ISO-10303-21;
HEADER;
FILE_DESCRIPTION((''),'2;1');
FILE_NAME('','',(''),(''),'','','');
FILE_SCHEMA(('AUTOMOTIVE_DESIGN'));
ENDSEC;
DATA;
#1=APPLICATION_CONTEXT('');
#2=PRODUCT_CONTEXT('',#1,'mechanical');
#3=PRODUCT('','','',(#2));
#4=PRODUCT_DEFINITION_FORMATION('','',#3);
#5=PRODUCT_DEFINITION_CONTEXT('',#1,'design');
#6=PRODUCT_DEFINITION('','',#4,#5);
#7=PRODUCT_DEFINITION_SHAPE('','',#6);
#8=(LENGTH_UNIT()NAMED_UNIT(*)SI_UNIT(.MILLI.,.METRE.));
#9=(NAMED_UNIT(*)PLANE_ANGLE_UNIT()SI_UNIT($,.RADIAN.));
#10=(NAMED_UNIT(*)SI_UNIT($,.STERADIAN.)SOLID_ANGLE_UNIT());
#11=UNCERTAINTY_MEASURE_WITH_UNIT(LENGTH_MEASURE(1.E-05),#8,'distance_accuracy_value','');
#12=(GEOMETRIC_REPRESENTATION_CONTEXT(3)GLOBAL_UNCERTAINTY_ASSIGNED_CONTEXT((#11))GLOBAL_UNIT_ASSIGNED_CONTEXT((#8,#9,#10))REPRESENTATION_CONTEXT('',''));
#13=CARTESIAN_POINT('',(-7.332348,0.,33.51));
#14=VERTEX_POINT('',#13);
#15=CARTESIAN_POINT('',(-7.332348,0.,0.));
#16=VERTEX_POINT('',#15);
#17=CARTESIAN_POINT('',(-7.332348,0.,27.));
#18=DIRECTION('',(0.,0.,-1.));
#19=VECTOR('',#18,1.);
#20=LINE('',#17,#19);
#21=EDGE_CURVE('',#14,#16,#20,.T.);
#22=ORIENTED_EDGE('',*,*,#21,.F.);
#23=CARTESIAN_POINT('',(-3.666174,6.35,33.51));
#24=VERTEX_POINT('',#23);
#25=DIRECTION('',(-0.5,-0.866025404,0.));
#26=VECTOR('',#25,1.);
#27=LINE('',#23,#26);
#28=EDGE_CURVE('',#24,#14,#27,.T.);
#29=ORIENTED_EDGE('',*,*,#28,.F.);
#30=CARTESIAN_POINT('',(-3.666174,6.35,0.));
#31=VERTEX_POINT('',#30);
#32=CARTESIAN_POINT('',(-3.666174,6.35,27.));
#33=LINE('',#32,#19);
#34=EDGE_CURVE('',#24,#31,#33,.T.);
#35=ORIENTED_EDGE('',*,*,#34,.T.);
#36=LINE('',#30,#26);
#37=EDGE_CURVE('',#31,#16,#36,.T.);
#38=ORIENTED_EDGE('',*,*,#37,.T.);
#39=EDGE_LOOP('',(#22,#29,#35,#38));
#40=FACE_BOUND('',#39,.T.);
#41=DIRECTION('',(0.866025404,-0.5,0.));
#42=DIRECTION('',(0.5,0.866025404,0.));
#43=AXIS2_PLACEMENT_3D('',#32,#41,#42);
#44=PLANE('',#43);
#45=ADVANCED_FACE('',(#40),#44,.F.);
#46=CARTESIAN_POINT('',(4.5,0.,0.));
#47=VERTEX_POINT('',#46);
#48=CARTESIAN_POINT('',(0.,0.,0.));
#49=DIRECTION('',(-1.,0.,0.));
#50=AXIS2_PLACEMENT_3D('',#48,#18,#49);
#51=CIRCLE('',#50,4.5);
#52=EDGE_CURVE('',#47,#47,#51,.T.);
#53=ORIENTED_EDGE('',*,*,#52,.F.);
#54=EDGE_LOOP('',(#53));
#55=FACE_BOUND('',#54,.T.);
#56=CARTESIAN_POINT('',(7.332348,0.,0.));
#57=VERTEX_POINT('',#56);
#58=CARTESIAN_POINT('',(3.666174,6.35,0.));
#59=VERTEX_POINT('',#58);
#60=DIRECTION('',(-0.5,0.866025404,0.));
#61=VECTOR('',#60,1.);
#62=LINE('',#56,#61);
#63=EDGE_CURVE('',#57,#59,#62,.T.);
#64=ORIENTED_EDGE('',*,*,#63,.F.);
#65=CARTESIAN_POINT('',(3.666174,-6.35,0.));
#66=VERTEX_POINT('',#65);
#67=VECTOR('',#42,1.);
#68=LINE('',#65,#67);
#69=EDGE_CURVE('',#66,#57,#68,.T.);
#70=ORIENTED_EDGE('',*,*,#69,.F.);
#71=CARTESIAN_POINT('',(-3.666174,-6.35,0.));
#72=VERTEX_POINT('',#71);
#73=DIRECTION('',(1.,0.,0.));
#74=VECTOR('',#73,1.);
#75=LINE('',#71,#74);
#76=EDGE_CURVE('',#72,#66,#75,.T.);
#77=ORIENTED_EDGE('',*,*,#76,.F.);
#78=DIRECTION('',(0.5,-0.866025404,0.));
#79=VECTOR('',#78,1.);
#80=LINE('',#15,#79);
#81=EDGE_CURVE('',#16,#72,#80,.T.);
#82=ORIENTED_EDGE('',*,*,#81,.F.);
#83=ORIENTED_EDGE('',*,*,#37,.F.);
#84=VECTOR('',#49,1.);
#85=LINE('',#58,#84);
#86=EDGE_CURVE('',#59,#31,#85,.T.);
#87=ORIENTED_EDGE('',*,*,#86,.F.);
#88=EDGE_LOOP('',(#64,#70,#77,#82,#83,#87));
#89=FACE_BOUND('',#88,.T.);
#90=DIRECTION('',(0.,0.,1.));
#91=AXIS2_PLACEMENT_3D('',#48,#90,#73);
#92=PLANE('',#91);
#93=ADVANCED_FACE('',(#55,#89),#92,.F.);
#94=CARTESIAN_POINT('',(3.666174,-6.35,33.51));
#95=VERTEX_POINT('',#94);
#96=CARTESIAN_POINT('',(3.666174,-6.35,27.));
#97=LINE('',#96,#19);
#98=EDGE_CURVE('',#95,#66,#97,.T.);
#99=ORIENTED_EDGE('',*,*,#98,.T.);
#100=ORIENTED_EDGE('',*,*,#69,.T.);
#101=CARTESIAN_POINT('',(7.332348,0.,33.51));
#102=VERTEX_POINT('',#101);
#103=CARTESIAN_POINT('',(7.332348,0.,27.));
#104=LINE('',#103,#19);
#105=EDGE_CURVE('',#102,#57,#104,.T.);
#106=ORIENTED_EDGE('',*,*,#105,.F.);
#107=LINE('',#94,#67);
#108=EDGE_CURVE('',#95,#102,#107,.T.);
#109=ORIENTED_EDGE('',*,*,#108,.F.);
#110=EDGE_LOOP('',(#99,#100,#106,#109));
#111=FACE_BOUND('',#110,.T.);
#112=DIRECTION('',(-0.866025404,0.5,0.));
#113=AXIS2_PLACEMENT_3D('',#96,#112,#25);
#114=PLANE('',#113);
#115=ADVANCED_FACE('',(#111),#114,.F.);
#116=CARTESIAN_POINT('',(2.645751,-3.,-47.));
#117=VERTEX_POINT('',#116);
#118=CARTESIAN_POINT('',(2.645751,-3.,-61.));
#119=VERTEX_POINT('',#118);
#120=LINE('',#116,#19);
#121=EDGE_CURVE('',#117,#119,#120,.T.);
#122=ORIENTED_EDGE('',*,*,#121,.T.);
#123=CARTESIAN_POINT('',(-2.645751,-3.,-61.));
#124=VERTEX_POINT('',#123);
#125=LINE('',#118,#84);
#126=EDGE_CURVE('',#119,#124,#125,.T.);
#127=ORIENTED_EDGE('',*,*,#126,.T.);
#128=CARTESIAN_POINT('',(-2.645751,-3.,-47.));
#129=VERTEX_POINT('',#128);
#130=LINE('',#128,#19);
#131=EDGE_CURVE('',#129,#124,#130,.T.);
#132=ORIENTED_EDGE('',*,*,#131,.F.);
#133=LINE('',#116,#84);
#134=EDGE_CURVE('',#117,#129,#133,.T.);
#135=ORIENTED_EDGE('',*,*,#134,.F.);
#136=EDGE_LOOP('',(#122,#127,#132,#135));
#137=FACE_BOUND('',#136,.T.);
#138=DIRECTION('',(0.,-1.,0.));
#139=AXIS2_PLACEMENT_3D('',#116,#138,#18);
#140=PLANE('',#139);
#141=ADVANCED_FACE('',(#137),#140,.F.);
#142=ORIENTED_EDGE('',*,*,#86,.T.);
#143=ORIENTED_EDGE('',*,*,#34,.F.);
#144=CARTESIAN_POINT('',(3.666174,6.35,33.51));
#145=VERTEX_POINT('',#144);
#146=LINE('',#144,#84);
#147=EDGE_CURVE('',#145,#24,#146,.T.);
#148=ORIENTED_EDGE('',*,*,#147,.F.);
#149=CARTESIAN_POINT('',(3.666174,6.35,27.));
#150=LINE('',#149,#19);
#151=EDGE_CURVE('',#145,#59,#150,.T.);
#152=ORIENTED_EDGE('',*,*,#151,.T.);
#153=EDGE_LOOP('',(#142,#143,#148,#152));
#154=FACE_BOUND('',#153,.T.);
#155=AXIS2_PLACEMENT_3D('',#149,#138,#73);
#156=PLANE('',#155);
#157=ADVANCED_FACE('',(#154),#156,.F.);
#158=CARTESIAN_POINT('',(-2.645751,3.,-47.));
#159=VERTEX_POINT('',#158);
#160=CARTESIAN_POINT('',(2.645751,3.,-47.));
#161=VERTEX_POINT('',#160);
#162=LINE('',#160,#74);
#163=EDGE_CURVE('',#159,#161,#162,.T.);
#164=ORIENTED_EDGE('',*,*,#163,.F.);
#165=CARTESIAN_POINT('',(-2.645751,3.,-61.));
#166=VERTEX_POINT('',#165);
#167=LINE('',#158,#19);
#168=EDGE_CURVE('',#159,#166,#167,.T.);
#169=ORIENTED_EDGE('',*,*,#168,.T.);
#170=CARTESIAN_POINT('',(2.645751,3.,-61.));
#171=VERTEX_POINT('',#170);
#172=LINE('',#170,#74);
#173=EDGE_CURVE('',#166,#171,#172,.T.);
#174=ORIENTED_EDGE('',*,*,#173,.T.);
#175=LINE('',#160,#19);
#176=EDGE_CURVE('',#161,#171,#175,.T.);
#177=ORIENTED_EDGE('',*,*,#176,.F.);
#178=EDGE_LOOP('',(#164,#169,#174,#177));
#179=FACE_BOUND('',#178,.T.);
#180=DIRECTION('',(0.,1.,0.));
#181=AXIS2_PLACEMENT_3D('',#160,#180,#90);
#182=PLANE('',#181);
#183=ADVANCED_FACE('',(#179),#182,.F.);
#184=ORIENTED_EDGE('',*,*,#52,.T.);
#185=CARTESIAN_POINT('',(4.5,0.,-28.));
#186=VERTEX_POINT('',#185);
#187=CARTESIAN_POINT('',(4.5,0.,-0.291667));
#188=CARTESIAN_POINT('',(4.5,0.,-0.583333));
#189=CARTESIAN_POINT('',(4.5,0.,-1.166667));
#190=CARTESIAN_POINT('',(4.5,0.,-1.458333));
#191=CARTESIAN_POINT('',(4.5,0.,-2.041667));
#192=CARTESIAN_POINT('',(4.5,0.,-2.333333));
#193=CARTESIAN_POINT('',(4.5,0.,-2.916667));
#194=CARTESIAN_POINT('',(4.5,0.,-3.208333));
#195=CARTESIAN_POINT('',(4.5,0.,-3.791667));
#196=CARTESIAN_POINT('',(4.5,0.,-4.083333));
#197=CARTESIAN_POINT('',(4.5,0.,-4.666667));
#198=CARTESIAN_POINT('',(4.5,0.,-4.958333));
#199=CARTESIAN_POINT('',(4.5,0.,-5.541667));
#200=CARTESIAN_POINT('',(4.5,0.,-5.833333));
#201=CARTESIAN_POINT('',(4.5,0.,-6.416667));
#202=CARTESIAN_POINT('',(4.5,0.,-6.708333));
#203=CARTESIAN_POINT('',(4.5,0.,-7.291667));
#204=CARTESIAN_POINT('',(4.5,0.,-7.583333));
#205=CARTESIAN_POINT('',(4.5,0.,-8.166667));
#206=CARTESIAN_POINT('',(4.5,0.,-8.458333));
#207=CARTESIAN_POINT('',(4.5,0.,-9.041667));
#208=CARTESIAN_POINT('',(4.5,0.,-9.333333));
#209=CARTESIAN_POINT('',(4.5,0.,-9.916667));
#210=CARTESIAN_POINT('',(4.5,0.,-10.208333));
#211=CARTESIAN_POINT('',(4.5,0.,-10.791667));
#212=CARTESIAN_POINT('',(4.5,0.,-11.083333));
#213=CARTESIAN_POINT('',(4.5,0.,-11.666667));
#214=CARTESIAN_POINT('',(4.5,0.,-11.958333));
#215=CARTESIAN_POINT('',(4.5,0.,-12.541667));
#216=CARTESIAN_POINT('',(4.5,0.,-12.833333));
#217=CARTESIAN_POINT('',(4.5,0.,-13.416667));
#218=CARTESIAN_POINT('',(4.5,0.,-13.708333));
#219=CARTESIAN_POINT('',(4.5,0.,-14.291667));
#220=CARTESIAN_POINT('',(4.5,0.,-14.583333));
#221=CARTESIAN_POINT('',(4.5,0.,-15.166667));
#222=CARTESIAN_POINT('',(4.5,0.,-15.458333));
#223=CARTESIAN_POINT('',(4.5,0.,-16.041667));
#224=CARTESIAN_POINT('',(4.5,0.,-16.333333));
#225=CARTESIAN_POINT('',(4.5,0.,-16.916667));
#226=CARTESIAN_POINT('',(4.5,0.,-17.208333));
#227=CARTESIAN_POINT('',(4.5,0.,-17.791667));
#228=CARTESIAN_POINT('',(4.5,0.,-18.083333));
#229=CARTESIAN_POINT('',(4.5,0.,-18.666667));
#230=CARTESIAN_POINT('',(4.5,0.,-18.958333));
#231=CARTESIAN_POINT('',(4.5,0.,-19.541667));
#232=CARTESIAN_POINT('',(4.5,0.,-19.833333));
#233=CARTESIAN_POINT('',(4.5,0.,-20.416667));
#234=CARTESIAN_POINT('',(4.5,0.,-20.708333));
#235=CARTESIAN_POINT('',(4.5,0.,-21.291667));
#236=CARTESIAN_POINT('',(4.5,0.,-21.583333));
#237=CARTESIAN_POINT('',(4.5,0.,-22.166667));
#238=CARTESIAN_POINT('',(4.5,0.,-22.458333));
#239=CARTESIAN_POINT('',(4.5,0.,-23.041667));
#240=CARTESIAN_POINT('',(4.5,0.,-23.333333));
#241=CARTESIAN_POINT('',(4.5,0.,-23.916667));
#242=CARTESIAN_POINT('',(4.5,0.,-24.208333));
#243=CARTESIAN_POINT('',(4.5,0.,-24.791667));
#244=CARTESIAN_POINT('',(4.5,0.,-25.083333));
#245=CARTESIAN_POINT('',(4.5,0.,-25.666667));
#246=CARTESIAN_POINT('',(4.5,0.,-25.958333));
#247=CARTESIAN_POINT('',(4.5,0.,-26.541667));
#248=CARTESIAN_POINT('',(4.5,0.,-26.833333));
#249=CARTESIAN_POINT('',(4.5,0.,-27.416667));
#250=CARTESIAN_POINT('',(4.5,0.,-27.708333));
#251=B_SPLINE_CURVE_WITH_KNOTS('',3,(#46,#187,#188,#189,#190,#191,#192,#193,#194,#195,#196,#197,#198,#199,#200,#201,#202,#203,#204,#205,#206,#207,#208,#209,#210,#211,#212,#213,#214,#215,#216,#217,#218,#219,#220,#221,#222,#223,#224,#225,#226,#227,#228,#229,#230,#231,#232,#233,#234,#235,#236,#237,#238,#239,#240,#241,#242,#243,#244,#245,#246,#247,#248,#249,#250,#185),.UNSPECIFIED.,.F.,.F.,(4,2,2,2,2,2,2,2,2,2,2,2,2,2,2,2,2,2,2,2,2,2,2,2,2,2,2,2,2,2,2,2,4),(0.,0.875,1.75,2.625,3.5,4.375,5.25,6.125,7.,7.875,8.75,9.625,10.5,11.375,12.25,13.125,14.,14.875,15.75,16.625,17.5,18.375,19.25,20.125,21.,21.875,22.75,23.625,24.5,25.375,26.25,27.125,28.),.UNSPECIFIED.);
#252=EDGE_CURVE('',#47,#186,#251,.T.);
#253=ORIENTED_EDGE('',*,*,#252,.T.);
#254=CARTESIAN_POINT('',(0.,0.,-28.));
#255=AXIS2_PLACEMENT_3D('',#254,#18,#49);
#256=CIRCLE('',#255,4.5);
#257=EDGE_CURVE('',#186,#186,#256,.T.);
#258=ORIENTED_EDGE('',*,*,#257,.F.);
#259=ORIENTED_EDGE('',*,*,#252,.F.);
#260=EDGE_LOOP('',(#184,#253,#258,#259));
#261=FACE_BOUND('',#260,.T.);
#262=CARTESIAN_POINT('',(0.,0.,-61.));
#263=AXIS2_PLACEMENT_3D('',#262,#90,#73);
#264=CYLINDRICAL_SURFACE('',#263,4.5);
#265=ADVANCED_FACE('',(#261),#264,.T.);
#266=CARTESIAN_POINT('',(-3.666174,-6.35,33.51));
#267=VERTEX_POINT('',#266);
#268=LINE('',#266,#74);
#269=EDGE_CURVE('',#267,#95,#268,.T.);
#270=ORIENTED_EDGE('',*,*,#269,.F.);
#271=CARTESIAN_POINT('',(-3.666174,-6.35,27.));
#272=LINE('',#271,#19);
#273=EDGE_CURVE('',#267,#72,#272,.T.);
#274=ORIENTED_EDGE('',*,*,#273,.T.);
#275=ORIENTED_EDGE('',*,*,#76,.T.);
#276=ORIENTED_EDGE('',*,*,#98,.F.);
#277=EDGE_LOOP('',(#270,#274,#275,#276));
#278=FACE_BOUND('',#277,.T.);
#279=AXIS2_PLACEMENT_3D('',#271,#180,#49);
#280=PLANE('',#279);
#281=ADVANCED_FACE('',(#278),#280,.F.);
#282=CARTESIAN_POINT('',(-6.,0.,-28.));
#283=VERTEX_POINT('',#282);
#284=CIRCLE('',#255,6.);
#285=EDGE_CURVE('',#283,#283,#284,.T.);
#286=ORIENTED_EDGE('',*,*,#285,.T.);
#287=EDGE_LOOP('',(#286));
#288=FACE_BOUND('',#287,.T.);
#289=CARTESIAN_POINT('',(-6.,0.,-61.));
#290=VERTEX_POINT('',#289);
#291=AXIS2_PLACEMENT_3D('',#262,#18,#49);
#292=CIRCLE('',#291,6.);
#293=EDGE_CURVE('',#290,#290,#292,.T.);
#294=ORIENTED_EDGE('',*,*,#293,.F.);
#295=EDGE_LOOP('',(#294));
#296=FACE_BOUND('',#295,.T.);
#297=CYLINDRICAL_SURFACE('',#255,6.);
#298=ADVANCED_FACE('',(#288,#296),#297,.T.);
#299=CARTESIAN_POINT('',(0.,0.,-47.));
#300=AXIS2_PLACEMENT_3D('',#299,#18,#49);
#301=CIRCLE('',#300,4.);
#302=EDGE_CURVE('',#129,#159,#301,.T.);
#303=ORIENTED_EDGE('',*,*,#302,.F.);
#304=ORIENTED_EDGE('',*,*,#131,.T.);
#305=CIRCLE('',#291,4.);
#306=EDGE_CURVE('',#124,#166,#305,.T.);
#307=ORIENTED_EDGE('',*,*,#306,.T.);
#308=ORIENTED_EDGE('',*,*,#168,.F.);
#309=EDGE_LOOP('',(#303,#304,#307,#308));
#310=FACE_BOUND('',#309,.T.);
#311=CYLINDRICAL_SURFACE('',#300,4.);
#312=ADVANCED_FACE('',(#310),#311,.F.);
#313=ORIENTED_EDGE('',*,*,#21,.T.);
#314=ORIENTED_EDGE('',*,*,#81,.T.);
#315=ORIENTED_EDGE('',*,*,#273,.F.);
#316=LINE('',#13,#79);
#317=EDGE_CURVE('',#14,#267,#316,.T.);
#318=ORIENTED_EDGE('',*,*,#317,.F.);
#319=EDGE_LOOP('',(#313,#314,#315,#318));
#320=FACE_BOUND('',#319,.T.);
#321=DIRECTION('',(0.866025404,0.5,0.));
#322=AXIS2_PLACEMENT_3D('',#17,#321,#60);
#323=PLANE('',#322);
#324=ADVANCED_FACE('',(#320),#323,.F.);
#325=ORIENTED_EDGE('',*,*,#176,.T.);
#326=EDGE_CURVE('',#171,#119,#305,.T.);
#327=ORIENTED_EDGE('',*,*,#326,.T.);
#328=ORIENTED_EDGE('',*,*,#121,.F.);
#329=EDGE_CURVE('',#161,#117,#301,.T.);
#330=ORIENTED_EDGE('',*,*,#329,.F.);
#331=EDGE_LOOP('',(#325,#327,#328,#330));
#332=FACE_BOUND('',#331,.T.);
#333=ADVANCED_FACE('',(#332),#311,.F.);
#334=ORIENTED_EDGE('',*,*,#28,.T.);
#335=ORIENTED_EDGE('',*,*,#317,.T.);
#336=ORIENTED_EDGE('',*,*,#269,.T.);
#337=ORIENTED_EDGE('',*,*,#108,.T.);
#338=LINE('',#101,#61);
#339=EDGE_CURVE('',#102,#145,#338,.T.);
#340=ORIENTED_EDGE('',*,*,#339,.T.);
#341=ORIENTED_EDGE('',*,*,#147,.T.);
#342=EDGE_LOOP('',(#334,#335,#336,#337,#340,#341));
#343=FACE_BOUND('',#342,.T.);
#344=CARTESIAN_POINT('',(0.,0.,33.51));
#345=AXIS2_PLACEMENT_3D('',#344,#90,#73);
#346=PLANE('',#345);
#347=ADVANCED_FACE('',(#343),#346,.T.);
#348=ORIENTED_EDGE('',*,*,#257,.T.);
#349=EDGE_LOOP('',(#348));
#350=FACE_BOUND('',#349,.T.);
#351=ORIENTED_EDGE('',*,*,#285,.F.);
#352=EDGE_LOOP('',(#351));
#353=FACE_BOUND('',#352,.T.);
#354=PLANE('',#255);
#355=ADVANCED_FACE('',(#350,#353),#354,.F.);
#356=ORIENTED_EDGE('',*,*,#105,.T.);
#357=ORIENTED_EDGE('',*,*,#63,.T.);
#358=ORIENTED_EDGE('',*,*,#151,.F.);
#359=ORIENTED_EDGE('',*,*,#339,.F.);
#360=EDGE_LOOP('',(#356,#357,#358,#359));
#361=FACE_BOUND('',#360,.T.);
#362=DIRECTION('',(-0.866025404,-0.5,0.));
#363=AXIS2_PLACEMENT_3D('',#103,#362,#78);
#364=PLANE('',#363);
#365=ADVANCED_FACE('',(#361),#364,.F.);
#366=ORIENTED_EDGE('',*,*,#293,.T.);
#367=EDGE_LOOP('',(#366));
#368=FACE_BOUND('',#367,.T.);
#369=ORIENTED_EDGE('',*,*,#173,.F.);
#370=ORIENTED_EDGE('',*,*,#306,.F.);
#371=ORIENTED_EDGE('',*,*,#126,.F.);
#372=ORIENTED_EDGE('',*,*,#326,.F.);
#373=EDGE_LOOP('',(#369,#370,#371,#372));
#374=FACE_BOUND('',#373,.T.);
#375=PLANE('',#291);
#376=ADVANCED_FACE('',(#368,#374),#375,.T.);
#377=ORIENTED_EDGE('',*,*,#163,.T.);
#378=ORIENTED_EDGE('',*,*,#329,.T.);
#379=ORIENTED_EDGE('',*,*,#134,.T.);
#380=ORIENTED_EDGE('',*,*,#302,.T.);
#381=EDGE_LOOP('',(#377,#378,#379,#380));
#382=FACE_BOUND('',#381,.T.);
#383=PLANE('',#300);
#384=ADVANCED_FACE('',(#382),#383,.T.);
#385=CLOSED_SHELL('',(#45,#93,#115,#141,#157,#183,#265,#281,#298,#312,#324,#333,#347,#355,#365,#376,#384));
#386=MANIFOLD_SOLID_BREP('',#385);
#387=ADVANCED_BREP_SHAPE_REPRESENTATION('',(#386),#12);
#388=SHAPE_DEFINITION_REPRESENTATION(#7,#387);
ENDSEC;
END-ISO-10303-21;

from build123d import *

# Parameters (mm, degrees)
BOSS_EXTRUDE1_DEPTH = 27
SKETCH2_R           = 4.5
BOSS_EXTRUDE2_DEPTH = 61
CUT_EXTRUDE1_DEPTH  = 14
SKETCH4_R           = 6
BOSS_EXTRUDE3_DEPTH = 33
BOSS_EXTRUDE4_DEPTH = 6.51


with BuildPart() as part:
    # Sketch1 → Boss-Extrude1 (new body)
    with BuildSketch(Plane.XY):
        Polygon((3.666174209, -6.35), (7.332348419, 0), (3.666174209, 6.35), (-3.666174209, 6.35), (-7.332348419, 0), (-3.666174209, -6.35), align=None)
    extrude(amount=BOSS_EXTRUDE1_DEPTH)

    # Sketch2 → Boss-Extrude2 (add)
    with BuildSketch(Plane(origin=(0, 0, 0), x_dir=(-1, 0, 0), z_dir=(0, 0, -1))):
        with Locations(Location((0, 0, 0), (0, 0, 180))):
            Circle(SKETCH2_R)
    extrude(amount=BOSS_EXTRUDE2_DEPTH)

    # Sketch3 → Cut-Extrude1 (cut)
    with BuildSketch(Plane(origin=(0, 0, -61), x_dir=(-1, 0, 0), z_dir=(0, 0, -1))):
        with BuildLine():
            Line((-2.645751311, 3), (2.645751311, 3))
            ThreePointArc((2.645751311, 3), (4, 0), (2.645751311, -3))
            Line((2.645751311, -3), (-2.645751311, -3))
            ThreePointArc((-2.645751311, -3), (-4, 0), (-2.645751311, 3))
        make_face()
    extrude(amount=-CUT_EXTRUDE1_DEPTH, mode=Mode.SUBTRACT)

    # Sketch4 → Boss-Extrude3 (add)
    with BuildSketch(Plane(origin=(0, 0, -61), x_dir=(-1, 0, 0), z_dir=(0, 0, -1))):
        Circle(SKETCH4_R)
        with BuildLine():
            Line((-2.645751311, -3), (2.645751311, -3))
            ThreePointArc((2.645751311, -3), (4, 0), (2.645751311, 3))
            Line((2.645751311, 3), (-2.645751311, 3))
            ThreePointArc((-2.645751311, 3), (-4, 0), (-2.645751311, -3))
        make_face(mode=Mode.SUBTRACT)
    extrude(amount=-BOSS_EXTRUDE3_DEPTH)

    # Sketch5 → Boss-Extrude4 (add)
    with BuildSketch(Plane.XY.offset(27)):
        Polygon((-3.666174209, 6.35), (-7.332348419, 0), (-3.666174209, -6.35), (3.666174209, -6.35), (7.332348419, 0), (3.666174209, 6.35), align=None)
    extrude(amount=BOSS_EXTRUDE4_DEPTH)


solid = part.part
